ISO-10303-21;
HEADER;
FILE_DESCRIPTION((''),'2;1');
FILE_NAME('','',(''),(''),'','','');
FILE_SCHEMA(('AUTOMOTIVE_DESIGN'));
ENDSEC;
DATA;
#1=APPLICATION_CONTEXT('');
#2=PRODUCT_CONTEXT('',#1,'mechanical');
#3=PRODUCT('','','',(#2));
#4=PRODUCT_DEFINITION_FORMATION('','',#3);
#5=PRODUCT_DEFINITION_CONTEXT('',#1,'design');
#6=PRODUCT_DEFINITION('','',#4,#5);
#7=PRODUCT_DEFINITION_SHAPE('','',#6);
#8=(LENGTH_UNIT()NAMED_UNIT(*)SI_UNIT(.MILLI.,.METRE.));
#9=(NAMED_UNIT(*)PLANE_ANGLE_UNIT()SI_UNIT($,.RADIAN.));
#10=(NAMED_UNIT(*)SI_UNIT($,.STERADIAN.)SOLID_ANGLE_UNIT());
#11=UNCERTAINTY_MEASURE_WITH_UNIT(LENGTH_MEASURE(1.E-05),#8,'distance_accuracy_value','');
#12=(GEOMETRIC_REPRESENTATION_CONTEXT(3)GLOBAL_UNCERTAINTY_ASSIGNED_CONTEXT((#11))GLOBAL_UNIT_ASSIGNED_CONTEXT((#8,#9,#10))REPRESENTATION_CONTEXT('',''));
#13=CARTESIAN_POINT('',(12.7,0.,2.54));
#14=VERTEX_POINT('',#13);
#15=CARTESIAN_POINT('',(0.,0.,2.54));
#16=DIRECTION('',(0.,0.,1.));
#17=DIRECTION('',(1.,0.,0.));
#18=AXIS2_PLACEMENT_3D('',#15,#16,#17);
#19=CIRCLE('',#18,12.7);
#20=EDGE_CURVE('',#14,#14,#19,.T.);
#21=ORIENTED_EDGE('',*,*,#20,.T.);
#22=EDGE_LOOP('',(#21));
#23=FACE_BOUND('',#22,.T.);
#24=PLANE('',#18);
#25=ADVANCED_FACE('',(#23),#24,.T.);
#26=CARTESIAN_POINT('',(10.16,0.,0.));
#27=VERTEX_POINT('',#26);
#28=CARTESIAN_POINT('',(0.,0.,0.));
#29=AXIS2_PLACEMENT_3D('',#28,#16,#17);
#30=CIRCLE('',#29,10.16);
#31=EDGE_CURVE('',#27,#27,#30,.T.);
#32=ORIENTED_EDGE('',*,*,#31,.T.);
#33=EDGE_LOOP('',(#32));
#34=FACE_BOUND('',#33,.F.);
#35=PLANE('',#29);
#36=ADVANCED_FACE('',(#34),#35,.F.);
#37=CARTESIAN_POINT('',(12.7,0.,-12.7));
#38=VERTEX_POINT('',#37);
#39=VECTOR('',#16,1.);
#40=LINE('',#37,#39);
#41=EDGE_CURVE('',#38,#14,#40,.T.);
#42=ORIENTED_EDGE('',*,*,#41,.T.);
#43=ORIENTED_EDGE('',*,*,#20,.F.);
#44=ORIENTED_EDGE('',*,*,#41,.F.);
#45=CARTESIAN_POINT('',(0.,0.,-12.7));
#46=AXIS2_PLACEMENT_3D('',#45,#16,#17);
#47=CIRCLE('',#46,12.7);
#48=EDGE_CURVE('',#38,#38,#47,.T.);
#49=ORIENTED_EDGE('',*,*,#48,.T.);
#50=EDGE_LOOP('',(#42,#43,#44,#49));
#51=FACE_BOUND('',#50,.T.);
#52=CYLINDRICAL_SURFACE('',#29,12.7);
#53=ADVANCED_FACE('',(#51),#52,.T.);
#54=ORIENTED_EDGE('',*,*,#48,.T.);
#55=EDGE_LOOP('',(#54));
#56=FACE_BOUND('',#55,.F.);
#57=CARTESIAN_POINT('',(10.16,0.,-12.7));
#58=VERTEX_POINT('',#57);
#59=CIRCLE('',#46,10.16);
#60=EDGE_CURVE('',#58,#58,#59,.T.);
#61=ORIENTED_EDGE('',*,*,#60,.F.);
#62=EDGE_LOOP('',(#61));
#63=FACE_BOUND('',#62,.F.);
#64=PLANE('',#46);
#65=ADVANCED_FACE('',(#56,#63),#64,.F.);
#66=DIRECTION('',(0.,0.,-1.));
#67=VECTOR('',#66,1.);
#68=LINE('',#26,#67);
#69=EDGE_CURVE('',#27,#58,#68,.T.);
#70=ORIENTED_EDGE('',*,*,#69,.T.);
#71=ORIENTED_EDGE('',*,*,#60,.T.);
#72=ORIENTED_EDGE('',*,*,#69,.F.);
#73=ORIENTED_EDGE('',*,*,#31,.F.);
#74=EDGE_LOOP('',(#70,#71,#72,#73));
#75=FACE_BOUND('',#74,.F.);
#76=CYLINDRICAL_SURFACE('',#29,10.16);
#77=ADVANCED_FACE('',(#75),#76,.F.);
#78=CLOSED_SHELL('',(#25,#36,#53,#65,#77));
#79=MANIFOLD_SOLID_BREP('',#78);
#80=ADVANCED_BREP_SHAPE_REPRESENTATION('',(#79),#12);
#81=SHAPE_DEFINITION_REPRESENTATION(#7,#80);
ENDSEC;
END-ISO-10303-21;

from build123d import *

# Parameters (mm, degrees)
F0_R     = 12.7
F0_R_2   = 10.16
F1_DEPTH = 2.54
F2_DEPTH = 12.7


with BuildPart() as f1:
    # F0 (on Top) → F1 (new body)
    with BuildSketch(Plane.XY):
        Circle(F0_R)
        Circle(F0_R_2, mode=Mode.SUBTRACT)
        Circle(F0_R_2)
    extrude(amount=F1_DEPTH)

    # F0 (on Top) → F2 (join)
    with BuildSketch(Plane.XY):
        Circle(F0_R)
        Circle(F0_R_2, mode=Mode.SUBTRACT)
    extrude(amount=-F2_DEPTH)


solid = f1.part
